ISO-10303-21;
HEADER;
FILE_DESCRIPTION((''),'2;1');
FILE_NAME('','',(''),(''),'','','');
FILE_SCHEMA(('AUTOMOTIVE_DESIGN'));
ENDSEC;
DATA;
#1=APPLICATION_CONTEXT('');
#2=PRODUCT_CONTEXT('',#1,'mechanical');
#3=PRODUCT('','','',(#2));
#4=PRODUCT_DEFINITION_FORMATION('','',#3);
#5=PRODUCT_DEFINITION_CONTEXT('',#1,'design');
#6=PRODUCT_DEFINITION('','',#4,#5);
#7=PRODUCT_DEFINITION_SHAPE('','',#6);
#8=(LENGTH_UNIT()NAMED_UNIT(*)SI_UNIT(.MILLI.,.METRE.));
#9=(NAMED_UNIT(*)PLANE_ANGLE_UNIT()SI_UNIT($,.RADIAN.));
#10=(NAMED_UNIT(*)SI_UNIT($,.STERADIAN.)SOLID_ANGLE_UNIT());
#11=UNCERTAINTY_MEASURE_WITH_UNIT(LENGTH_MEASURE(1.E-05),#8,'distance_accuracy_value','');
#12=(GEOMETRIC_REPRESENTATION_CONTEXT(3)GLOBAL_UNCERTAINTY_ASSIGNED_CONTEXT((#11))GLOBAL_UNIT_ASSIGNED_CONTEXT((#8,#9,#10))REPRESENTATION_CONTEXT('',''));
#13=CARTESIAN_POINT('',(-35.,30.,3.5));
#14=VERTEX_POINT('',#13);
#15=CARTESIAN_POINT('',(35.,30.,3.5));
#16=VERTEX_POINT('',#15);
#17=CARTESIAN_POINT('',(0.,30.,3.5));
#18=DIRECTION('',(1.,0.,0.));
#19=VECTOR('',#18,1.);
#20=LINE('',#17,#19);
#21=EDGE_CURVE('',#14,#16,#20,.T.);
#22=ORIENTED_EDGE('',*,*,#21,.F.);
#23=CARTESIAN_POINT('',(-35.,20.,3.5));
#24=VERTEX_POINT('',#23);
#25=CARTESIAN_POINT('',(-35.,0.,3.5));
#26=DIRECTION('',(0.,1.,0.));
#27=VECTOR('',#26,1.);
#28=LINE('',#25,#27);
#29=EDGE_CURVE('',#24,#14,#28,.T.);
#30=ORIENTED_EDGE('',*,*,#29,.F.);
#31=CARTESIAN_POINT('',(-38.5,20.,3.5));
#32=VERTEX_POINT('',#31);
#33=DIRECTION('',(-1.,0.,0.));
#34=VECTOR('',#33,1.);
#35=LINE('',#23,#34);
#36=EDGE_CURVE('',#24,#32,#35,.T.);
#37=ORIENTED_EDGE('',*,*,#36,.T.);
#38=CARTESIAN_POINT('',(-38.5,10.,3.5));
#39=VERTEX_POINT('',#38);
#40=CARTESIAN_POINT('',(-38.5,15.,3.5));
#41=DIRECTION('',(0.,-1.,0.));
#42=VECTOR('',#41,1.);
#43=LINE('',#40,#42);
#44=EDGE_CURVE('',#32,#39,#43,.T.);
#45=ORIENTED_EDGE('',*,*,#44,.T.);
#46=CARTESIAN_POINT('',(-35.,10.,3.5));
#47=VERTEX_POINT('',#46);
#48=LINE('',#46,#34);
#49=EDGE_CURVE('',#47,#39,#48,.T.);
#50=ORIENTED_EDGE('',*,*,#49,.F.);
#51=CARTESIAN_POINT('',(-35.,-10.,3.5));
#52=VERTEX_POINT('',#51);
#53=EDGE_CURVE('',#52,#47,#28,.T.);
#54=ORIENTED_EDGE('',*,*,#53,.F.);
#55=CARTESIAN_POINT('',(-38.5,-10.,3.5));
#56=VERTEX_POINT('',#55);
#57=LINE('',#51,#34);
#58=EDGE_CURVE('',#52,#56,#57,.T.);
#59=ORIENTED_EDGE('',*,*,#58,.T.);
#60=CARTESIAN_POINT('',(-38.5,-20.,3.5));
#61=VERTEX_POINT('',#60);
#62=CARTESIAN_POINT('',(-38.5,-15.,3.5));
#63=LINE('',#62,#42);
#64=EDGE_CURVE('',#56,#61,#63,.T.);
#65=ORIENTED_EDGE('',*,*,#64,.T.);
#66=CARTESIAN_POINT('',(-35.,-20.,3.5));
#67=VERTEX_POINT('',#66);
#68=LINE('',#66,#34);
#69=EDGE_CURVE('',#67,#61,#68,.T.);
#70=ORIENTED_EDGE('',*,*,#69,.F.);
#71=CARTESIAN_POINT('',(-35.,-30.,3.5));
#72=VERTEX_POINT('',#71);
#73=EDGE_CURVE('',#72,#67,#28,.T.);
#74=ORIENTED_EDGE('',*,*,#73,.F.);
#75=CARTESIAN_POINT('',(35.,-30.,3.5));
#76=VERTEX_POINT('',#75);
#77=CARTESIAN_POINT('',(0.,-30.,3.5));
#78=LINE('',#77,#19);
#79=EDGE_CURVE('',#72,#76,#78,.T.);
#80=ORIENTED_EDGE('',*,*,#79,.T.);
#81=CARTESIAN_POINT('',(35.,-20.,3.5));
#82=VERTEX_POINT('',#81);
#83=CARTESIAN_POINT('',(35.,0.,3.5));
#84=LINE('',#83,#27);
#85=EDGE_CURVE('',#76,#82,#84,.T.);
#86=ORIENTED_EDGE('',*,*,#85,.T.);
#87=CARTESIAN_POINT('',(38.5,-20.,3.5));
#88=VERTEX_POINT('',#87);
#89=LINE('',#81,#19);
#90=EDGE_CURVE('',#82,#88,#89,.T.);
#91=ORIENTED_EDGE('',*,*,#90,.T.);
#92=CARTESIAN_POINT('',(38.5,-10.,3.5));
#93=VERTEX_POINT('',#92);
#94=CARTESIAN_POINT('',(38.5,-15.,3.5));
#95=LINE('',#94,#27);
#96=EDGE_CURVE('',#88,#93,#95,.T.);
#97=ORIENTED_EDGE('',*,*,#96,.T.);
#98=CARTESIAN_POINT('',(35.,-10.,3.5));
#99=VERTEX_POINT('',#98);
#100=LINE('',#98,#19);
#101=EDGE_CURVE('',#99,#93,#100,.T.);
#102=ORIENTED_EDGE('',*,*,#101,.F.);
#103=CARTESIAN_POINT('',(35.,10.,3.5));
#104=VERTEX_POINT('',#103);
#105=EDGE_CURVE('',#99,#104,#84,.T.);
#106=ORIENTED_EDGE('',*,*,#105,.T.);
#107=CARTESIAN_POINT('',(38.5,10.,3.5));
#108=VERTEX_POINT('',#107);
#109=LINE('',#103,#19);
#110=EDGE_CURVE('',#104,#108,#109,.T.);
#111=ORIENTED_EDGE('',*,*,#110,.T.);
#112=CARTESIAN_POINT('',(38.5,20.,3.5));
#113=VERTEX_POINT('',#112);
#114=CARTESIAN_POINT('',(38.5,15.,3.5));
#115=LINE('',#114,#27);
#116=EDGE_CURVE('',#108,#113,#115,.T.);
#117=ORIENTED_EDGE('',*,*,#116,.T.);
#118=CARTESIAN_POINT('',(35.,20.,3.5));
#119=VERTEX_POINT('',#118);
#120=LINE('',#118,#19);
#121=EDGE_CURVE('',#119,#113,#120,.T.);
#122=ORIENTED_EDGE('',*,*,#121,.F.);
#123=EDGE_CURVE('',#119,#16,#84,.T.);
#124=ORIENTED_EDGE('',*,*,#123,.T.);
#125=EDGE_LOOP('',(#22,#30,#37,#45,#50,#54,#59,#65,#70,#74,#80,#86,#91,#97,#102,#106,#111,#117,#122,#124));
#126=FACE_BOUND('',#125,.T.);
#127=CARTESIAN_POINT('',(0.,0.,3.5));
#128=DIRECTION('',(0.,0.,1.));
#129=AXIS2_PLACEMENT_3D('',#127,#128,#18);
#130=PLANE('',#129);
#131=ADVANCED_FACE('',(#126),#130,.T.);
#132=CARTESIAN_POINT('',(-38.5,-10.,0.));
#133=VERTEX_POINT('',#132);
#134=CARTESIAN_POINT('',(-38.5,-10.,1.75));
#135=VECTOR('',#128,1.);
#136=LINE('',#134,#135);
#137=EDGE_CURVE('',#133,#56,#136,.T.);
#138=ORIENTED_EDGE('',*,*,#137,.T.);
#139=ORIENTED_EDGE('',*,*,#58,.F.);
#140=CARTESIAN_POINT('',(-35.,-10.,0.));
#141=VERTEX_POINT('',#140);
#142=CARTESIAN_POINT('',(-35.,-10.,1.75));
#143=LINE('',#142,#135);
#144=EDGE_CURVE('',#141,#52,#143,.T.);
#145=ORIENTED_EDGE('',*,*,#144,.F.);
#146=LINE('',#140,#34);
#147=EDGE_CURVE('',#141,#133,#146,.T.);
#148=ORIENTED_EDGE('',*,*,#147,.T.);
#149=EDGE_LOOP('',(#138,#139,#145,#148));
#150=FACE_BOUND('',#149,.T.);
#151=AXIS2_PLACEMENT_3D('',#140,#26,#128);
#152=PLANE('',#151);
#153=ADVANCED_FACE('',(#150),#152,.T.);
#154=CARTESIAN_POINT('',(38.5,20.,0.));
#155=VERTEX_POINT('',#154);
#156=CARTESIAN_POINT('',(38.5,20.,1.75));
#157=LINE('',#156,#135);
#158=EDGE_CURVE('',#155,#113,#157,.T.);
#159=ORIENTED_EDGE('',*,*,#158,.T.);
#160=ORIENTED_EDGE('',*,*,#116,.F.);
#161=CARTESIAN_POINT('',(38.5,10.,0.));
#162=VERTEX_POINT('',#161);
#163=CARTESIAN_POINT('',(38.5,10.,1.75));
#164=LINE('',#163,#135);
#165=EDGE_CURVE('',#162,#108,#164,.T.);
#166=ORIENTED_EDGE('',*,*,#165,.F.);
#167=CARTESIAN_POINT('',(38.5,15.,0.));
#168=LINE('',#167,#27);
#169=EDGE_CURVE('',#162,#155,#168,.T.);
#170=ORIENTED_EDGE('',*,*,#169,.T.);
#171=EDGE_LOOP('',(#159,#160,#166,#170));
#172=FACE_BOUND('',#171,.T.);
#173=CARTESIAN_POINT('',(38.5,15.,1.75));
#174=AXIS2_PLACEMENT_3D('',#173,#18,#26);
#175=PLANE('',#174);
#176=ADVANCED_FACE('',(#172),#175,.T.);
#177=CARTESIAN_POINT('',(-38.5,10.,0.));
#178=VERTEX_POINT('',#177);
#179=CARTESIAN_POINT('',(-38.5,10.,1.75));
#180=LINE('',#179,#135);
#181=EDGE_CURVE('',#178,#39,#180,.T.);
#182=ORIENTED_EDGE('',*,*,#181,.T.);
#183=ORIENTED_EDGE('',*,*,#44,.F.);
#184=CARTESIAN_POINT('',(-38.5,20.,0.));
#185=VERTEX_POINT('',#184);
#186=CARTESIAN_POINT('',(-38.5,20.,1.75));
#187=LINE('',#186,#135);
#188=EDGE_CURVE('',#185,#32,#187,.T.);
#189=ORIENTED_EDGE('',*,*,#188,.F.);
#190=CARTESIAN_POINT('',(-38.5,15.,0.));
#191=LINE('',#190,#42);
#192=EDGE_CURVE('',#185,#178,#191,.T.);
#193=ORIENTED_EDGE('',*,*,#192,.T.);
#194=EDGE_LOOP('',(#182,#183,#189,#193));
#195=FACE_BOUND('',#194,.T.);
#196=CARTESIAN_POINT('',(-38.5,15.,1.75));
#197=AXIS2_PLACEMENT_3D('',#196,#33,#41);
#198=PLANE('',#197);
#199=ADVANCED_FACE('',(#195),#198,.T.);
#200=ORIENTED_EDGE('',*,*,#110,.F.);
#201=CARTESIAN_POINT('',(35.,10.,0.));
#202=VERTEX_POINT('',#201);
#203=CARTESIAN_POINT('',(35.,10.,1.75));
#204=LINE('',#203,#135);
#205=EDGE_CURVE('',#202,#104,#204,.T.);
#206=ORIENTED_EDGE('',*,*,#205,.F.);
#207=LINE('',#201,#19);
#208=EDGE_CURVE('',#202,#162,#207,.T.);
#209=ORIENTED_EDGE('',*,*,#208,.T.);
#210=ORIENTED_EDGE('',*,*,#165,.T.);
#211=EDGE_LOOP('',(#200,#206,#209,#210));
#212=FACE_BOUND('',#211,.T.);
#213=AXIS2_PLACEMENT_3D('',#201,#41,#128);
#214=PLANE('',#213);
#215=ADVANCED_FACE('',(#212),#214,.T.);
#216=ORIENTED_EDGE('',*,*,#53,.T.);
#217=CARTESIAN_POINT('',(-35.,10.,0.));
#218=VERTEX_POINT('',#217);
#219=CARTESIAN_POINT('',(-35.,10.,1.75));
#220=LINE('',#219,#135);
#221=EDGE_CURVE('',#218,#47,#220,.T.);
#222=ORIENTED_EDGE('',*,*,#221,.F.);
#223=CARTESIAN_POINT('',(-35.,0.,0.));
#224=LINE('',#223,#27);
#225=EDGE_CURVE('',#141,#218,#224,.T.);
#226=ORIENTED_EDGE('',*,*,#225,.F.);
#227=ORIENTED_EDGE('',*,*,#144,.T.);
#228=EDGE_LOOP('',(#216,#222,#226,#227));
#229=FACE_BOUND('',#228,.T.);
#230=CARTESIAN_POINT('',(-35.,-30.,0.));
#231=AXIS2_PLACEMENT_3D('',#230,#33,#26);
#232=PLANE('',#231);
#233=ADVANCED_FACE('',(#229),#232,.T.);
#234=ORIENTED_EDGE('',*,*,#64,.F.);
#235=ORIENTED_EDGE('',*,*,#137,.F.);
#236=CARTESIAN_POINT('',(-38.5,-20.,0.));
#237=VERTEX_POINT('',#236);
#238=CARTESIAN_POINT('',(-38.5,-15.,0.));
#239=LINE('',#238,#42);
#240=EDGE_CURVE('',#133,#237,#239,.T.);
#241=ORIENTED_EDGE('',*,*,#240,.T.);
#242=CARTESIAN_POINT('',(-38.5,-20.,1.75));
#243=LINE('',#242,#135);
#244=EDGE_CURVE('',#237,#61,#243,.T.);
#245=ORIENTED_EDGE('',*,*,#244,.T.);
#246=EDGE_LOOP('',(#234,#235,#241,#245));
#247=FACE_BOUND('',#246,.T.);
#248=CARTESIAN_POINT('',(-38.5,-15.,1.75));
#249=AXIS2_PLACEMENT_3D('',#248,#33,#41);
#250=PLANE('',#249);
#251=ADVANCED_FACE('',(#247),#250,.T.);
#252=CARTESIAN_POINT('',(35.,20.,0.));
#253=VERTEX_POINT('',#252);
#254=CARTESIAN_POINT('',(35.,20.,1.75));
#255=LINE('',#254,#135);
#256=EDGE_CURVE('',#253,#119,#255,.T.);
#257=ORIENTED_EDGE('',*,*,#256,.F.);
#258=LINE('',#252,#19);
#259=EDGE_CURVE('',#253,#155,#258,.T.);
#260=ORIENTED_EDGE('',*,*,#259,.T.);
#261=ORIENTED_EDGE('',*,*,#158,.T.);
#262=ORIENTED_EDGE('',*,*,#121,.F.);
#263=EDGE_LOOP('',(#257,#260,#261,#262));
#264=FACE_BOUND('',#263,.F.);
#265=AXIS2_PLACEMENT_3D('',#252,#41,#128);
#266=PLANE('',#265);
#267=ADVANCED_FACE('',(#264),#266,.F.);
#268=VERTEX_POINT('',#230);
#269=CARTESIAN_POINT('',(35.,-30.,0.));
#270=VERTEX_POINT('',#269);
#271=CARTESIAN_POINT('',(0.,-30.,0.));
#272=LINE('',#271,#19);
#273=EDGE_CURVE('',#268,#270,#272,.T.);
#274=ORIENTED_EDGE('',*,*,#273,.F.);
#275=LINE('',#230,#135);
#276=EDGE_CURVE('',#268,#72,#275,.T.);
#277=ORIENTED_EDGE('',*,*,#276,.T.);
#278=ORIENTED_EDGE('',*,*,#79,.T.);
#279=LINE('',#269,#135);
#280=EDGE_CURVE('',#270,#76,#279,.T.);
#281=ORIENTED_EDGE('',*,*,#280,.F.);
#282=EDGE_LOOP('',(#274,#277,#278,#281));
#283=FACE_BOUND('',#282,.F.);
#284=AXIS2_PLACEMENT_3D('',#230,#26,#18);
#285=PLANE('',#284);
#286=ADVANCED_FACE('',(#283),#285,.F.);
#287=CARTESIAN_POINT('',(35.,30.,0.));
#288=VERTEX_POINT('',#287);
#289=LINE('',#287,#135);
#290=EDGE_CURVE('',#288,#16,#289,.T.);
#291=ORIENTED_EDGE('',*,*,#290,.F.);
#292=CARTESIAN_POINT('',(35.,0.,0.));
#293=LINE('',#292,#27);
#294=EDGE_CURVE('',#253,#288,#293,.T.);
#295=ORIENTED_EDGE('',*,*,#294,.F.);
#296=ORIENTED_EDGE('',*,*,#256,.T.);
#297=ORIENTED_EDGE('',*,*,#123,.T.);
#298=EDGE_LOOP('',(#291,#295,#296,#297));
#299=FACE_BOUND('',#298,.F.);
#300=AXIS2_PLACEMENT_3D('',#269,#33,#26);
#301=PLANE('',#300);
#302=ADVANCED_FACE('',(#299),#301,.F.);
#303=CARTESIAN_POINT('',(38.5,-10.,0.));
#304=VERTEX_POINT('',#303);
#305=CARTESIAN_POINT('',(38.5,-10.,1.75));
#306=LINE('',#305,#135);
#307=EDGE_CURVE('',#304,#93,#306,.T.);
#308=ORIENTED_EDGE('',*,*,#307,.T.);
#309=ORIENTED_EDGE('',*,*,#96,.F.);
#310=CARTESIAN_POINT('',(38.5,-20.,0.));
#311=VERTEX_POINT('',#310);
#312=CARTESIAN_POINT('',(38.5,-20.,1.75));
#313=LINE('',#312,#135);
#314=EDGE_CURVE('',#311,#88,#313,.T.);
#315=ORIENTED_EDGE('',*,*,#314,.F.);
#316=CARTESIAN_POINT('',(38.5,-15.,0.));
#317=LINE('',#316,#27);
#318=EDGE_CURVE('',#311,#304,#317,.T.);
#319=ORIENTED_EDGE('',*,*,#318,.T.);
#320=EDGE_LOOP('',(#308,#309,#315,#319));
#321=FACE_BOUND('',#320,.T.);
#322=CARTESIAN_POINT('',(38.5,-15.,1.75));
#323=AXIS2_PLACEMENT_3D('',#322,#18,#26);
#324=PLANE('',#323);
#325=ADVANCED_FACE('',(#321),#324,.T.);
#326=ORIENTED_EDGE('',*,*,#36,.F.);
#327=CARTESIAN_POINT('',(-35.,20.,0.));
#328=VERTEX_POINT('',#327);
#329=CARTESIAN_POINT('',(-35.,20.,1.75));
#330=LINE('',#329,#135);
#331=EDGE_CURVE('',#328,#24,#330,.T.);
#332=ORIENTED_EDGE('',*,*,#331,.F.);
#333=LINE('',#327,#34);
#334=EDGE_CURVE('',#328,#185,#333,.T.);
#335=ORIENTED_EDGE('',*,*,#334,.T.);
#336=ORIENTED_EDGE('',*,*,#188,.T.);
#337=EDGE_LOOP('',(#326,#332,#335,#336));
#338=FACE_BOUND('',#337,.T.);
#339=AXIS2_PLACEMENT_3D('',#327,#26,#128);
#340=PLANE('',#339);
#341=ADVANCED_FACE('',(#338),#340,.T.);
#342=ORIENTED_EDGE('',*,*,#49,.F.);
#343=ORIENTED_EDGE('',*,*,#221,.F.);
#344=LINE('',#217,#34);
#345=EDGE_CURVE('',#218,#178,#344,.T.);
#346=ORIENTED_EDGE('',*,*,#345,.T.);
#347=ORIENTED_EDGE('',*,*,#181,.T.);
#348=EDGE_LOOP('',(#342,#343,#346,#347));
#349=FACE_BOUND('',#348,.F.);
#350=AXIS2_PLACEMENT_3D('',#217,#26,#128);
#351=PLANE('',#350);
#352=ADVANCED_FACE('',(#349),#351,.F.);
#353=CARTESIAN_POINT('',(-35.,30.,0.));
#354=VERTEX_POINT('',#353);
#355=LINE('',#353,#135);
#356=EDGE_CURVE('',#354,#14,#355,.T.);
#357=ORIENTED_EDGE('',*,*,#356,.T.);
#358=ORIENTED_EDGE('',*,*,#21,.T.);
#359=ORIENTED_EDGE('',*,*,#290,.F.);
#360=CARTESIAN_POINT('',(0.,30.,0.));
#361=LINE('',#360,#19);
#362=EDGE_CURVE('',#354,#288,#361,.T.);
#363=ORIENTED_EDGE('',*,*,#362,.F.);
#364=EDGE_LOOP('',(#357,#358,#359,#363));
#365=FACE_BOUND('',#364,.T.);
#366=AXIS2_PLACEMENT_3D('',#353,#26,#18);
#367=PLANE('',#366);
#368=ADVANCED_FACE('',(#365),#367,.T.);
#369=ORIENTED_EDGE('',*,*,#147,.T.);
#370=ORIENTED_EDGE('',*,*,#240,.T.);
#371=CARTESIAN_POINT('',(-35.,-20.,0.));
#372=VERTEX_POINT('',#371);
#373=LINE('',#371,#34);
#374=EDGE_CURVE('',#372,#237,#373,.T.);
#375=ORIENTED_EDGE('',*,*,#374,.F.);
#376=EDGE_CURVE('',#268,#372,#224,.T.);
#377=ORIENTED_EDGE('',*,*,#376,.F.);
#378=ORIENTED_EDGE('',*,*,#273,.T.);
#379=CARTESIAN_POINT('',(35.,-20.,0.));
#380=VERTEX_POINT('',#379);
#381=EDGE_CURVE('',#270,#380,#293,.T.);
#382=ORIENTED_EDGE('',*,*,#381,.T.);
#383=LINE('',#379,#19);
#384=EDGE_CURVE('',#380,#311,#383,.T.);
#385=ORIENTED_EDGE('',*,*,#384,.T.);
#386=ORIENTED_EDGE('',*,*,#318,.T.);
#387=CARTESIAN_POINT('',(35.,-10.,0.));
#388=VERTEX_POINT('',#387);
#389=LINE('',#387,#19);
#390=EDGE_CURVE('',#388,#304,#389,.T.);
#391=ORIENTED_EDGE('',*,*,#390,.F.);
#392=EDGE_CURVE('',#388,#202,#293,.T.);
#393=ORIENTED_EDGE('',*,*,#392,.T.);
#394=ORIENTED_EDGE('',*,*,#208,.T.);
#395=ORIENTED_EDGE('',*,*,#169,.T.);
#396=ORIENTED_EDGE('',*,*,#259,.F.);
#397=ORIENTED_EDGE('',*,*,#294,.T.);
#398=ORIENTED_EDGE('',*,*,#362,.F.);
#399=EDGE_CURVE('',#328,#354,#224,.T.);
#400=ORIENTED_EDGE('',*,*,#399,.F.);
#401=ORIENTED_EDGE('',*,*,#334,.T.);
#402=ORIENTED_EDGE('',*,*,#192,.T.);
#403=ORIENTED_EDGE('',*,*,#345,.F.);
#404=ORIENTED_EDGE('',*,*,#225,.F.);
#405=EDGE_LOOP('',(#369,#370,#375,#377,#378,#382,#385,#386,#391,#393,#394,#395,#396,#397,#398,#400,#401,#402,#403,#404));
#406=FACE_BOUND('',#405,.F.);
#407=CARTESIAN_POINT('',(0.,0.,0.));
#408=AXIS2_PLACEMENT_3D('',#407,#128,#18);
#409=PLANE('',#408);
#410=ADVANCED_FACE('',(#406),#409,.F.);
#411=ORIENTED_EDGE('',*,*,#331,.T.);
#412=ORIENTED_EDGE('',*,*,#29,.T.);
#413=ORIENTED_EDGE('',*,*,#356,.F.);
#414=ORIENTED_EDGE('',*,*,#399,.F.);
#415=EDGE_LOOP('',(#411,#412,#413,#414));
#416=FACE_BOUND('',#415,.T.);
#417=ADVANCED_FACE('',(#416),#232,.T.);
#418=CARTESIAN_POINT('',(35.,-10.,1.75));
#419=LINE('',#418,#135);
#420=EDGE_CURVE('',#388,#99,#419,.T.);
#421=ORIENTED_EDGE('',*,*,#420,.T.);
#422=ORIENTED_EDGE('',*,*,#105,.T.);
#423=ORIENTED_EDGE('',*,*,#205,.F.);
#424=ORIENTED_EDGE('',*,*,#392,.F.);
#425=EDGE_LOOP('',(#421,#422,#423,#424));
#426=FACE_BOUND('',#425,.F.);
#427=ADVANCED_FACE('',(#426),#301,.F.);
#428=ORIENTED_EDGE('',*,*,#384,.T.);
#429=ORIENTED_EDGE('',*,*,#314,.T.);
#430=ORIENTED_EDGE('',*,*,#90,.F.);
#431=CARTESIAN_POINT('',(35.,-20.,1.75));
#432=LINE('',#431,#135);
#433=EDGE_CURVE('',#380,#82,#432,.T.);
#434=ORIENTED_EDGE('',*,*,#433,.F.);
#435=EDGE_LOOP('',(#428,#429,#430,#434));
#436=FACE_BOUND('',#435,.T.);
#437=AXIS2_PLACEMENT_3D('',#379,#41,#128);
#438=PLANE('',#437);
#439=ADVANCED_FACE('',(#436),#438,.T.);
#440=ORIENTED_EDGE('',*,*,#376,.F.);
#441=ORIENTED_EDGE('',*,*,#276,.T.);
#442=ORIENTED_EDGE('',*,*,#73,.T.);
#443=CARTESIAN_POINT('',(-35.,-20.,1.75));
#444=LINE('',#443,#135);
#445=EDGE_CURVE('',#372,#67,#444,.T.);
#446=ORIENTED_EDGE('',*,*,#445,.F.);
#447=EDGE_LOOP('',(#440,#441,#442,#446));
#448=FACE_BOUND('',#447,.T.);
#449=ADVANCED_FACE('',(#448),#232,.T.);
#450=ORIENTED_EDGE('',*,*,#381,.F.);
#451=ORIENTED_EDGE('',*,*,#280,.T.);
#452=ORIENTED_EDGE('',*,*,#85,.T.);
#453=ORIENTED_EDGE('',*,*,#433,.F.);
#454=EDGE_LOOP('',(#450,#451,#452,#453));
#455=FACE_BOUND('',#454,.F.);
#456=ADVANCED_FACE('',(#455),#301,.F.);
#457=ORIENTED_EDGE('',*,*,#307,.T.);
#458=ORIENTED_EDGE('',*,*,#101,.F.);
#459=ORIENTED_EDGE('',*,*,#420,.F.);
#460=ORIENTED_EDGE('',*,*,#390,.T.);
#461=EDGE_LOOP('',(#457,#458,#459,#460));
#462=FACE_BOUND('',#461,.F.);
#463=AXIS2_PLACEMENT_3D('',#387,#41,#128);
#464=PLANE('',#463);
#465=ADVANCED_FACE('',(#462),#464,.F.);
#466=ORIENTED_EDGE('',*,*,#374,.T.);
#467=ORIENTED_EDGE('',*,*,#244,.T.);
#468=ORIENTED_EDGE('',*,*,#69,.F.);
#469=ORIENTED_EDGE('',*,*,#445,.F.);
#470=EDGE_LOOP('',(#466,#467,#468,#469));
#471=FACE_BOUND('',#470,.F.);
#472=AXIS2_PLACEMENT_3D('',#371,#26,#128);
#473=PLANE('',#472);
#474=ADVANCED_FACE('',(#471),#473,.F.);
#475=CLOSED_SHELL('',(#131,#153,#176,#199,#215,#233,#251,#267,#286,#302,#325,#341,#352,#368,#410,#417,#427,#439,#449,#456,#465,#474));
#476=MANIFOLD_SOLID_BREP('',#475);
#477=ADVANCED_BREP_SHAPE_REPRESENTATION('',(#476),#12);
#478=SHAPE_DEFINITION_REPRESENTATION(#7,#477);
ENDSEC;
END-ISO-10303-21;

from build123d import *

# Parameters (mm, degrees)
F0_W     = 70
F0_H     = 60
F1_DEPTH = 3.5
F2_W     = 10
F2_H     = 3.5
F3_DEPTH = 3.5
F4_W     = 10
F4_H     = 3.5
F5_DEPTH = 3.5


with BuildPart() as f1:
    # F0 (on Top) → F1 (new body)
    with BuildSketch(Plane.XY):
        Rectangle(F0_W, F0_H)
    extrude(amount=F1_DEPTH)

    # F2 (on face) → F3 (join)
    with BuildSketch(Plane.YZ.offset(35)):
        with Locations((-15, 1.75)):
            Rectangle(F2_W, F2_H)
        with Locations((15, 1.75)):
            Rectangle(F2_W, F2_H)
    extrude(amount=F3_DEPTH)

    # F4 (on face) → F5 (join)
    with BuildSketch(Plane(origin=(-35, 0, 0), x_dir=(0, -1, 0), z_dir=(-1, 0, 0))):
        with Locations((-15, 1.75)):
            Rectangle(F4_W, F4_H)
        with Locations((15, 1.75)):
            Rectangle(F4_W, F4_H)
    extrude(amount=F5_DEPTH)


solid = f1.part
